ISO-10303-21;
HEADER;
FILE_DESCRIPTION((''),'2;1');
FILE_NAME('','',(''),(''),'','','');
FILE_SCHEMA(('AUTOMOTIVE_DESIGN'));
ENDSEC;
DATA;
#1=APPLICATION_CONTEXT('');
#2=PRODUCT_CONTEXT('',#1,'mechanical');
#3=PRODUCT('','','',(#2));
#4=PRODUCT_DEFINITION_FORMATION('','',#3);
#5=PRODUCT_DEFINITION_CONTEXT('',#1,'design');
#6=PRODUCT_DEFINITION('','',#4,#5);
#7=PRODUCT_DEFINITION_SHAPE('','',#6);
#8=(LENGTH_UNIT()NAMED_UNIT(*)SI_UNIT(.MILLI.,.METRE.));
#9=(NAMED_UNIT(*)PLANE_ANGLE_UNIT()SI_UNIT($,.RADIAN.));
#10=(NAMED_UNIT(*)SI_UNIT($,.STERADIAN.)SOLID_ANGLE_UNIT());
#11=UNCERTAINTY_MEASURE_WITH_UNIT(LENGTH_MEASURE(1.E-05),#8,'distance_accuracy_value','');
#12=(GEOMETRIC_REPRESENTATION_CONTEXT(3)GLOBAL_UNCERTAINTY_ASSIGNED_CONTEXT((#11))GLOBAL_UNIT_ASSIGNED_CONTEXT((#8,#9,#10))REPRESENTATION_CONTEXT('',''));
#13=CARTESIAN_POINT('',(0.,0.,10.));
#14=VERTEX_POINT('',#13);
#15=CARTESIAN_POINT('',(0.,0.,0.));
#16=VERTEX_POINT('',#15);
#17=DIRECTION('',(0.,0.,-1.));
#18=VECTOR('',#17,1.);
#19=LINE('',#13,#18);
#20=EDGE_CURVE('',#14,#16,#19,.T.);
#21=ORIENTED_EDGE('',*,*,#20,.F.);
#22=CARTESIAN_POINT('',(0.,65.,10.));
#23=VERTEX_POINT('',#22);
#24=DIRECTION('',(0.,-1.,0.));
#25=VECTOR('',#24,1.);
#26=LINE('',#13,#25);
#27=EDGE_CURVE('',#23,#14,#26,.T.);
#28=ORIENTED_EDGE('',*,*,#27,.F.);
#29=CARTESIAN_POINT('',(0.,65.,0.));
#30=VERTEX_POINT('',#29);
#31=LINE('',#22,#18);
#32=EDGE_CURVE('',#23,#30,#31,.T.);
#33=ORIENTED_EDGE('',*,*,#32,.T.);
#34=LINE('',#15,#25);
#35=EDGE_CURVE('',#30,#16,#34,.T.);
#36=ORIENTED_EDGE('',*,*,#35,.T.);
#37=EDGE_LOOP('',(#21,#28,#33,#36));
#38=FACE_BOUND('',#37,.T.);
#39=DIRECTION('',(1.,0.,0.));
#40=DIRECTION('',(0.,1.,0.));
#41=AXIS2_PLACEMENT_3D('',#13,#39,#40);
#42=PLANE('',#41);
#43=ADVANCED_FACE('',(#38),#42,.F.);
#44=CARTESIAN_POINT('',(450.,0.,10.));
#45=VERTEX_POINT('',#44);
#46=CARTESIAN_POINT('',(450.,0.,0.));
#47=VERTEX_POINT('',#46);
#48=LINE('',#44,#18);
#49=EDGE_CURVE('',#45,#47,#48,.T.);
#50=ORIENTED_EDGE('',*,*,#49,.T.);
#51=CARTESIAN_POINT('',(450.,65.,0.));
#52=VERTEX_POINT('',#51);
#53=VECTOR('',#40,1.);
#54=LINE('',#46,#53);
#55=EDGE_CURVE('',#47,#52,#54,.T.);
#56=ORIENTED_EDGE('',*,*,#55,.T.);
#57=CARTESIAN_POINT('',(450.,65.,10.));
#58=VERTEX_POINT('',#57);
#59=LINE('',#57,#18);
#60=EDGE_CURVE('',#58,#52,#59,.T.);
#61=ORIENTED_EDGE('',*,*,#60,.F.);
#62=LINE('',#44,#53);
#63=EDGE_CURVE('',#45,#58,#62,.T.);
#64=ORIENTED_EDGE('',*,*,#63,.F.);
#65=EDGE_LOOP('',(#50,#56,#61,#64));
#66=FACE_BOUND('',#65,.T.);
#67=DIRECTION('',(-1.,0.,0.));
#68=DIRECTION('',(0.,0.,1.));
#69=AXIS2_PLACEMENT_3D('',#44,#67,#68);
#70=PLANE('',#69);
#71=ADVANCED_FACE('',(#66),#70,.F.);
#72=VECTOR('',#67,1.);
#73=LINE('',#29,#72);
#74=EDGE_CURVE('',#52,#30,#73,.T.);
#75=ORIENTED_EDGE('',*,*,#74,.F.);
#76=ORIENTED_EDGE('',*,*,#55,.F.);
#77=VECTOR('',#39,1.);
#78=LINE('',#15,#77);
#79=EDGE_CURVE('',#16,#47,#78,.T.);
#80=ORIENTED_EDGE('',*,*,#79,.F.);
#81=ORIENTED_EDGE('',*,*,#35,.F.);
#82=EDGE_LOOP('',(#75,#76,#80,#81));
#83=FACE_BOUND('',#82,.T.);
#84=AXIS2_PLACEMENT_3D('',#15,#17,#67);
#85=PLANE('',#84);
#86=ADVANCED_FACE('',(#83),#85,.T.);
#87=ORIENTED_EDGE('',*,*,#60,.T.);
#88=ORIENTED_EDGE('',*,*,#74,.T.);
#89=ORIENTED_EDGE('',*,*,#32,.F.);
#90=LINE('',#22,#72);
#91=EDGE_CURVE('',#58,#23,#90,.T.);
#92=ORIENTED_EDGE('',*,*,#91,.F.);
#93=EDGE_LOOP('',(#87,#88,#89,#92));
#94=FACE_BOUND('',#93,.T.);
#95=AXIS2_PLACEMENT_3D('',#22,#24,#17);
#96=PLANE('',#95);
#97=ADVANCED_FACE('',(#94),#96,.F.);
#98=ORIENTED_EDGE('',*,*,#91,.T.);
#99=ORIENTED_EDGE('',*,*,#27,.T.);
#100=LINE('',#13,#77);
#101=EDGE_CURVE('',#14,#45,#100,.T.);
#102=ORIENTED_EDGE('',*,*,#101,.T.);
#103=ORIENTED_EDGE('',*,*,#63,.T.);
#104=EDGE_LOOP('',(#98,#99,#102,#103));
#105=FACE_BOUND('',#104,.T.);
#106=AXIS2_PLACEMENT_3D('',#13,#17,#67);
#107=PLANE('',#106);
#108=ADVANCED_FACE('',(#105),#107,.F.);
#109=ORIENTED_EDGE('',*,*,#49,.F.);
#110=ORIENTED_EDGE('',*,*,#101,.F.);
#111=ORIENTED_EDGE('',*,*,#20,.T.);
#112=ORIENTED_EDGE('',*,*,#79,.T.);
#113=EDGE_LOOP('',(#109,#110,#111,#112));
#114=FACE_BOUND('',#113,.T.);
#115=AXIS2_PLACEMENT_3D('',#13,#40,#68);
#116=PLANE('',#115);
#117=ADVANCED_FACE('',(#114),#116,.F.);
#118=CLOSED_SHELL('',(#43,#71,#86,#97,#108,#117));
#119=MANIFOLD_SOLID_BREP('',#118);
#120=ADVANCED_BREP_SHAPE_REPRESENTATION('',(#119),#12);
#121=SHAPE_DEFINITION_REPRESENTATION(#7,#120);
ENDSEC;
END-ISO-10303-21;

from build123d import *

# Parameters (mm, degrees)
SKETCH1_W           = 450
SKETCH1_H           = 65
BOSS_EXTRUDE1_DEPTH = 10


with BuildPart() as part:
    # Sketch1 → Boss-Extrude1 (new body)
    with BuildSketch(Plane.XY):
        with Locations((225, 32.5)):
            Rectangle(SKETCH1_W, SKETCH1_H)
    extrude(amount=BOSS_EXTRUDE1_DEPTH)


solid = part.part
